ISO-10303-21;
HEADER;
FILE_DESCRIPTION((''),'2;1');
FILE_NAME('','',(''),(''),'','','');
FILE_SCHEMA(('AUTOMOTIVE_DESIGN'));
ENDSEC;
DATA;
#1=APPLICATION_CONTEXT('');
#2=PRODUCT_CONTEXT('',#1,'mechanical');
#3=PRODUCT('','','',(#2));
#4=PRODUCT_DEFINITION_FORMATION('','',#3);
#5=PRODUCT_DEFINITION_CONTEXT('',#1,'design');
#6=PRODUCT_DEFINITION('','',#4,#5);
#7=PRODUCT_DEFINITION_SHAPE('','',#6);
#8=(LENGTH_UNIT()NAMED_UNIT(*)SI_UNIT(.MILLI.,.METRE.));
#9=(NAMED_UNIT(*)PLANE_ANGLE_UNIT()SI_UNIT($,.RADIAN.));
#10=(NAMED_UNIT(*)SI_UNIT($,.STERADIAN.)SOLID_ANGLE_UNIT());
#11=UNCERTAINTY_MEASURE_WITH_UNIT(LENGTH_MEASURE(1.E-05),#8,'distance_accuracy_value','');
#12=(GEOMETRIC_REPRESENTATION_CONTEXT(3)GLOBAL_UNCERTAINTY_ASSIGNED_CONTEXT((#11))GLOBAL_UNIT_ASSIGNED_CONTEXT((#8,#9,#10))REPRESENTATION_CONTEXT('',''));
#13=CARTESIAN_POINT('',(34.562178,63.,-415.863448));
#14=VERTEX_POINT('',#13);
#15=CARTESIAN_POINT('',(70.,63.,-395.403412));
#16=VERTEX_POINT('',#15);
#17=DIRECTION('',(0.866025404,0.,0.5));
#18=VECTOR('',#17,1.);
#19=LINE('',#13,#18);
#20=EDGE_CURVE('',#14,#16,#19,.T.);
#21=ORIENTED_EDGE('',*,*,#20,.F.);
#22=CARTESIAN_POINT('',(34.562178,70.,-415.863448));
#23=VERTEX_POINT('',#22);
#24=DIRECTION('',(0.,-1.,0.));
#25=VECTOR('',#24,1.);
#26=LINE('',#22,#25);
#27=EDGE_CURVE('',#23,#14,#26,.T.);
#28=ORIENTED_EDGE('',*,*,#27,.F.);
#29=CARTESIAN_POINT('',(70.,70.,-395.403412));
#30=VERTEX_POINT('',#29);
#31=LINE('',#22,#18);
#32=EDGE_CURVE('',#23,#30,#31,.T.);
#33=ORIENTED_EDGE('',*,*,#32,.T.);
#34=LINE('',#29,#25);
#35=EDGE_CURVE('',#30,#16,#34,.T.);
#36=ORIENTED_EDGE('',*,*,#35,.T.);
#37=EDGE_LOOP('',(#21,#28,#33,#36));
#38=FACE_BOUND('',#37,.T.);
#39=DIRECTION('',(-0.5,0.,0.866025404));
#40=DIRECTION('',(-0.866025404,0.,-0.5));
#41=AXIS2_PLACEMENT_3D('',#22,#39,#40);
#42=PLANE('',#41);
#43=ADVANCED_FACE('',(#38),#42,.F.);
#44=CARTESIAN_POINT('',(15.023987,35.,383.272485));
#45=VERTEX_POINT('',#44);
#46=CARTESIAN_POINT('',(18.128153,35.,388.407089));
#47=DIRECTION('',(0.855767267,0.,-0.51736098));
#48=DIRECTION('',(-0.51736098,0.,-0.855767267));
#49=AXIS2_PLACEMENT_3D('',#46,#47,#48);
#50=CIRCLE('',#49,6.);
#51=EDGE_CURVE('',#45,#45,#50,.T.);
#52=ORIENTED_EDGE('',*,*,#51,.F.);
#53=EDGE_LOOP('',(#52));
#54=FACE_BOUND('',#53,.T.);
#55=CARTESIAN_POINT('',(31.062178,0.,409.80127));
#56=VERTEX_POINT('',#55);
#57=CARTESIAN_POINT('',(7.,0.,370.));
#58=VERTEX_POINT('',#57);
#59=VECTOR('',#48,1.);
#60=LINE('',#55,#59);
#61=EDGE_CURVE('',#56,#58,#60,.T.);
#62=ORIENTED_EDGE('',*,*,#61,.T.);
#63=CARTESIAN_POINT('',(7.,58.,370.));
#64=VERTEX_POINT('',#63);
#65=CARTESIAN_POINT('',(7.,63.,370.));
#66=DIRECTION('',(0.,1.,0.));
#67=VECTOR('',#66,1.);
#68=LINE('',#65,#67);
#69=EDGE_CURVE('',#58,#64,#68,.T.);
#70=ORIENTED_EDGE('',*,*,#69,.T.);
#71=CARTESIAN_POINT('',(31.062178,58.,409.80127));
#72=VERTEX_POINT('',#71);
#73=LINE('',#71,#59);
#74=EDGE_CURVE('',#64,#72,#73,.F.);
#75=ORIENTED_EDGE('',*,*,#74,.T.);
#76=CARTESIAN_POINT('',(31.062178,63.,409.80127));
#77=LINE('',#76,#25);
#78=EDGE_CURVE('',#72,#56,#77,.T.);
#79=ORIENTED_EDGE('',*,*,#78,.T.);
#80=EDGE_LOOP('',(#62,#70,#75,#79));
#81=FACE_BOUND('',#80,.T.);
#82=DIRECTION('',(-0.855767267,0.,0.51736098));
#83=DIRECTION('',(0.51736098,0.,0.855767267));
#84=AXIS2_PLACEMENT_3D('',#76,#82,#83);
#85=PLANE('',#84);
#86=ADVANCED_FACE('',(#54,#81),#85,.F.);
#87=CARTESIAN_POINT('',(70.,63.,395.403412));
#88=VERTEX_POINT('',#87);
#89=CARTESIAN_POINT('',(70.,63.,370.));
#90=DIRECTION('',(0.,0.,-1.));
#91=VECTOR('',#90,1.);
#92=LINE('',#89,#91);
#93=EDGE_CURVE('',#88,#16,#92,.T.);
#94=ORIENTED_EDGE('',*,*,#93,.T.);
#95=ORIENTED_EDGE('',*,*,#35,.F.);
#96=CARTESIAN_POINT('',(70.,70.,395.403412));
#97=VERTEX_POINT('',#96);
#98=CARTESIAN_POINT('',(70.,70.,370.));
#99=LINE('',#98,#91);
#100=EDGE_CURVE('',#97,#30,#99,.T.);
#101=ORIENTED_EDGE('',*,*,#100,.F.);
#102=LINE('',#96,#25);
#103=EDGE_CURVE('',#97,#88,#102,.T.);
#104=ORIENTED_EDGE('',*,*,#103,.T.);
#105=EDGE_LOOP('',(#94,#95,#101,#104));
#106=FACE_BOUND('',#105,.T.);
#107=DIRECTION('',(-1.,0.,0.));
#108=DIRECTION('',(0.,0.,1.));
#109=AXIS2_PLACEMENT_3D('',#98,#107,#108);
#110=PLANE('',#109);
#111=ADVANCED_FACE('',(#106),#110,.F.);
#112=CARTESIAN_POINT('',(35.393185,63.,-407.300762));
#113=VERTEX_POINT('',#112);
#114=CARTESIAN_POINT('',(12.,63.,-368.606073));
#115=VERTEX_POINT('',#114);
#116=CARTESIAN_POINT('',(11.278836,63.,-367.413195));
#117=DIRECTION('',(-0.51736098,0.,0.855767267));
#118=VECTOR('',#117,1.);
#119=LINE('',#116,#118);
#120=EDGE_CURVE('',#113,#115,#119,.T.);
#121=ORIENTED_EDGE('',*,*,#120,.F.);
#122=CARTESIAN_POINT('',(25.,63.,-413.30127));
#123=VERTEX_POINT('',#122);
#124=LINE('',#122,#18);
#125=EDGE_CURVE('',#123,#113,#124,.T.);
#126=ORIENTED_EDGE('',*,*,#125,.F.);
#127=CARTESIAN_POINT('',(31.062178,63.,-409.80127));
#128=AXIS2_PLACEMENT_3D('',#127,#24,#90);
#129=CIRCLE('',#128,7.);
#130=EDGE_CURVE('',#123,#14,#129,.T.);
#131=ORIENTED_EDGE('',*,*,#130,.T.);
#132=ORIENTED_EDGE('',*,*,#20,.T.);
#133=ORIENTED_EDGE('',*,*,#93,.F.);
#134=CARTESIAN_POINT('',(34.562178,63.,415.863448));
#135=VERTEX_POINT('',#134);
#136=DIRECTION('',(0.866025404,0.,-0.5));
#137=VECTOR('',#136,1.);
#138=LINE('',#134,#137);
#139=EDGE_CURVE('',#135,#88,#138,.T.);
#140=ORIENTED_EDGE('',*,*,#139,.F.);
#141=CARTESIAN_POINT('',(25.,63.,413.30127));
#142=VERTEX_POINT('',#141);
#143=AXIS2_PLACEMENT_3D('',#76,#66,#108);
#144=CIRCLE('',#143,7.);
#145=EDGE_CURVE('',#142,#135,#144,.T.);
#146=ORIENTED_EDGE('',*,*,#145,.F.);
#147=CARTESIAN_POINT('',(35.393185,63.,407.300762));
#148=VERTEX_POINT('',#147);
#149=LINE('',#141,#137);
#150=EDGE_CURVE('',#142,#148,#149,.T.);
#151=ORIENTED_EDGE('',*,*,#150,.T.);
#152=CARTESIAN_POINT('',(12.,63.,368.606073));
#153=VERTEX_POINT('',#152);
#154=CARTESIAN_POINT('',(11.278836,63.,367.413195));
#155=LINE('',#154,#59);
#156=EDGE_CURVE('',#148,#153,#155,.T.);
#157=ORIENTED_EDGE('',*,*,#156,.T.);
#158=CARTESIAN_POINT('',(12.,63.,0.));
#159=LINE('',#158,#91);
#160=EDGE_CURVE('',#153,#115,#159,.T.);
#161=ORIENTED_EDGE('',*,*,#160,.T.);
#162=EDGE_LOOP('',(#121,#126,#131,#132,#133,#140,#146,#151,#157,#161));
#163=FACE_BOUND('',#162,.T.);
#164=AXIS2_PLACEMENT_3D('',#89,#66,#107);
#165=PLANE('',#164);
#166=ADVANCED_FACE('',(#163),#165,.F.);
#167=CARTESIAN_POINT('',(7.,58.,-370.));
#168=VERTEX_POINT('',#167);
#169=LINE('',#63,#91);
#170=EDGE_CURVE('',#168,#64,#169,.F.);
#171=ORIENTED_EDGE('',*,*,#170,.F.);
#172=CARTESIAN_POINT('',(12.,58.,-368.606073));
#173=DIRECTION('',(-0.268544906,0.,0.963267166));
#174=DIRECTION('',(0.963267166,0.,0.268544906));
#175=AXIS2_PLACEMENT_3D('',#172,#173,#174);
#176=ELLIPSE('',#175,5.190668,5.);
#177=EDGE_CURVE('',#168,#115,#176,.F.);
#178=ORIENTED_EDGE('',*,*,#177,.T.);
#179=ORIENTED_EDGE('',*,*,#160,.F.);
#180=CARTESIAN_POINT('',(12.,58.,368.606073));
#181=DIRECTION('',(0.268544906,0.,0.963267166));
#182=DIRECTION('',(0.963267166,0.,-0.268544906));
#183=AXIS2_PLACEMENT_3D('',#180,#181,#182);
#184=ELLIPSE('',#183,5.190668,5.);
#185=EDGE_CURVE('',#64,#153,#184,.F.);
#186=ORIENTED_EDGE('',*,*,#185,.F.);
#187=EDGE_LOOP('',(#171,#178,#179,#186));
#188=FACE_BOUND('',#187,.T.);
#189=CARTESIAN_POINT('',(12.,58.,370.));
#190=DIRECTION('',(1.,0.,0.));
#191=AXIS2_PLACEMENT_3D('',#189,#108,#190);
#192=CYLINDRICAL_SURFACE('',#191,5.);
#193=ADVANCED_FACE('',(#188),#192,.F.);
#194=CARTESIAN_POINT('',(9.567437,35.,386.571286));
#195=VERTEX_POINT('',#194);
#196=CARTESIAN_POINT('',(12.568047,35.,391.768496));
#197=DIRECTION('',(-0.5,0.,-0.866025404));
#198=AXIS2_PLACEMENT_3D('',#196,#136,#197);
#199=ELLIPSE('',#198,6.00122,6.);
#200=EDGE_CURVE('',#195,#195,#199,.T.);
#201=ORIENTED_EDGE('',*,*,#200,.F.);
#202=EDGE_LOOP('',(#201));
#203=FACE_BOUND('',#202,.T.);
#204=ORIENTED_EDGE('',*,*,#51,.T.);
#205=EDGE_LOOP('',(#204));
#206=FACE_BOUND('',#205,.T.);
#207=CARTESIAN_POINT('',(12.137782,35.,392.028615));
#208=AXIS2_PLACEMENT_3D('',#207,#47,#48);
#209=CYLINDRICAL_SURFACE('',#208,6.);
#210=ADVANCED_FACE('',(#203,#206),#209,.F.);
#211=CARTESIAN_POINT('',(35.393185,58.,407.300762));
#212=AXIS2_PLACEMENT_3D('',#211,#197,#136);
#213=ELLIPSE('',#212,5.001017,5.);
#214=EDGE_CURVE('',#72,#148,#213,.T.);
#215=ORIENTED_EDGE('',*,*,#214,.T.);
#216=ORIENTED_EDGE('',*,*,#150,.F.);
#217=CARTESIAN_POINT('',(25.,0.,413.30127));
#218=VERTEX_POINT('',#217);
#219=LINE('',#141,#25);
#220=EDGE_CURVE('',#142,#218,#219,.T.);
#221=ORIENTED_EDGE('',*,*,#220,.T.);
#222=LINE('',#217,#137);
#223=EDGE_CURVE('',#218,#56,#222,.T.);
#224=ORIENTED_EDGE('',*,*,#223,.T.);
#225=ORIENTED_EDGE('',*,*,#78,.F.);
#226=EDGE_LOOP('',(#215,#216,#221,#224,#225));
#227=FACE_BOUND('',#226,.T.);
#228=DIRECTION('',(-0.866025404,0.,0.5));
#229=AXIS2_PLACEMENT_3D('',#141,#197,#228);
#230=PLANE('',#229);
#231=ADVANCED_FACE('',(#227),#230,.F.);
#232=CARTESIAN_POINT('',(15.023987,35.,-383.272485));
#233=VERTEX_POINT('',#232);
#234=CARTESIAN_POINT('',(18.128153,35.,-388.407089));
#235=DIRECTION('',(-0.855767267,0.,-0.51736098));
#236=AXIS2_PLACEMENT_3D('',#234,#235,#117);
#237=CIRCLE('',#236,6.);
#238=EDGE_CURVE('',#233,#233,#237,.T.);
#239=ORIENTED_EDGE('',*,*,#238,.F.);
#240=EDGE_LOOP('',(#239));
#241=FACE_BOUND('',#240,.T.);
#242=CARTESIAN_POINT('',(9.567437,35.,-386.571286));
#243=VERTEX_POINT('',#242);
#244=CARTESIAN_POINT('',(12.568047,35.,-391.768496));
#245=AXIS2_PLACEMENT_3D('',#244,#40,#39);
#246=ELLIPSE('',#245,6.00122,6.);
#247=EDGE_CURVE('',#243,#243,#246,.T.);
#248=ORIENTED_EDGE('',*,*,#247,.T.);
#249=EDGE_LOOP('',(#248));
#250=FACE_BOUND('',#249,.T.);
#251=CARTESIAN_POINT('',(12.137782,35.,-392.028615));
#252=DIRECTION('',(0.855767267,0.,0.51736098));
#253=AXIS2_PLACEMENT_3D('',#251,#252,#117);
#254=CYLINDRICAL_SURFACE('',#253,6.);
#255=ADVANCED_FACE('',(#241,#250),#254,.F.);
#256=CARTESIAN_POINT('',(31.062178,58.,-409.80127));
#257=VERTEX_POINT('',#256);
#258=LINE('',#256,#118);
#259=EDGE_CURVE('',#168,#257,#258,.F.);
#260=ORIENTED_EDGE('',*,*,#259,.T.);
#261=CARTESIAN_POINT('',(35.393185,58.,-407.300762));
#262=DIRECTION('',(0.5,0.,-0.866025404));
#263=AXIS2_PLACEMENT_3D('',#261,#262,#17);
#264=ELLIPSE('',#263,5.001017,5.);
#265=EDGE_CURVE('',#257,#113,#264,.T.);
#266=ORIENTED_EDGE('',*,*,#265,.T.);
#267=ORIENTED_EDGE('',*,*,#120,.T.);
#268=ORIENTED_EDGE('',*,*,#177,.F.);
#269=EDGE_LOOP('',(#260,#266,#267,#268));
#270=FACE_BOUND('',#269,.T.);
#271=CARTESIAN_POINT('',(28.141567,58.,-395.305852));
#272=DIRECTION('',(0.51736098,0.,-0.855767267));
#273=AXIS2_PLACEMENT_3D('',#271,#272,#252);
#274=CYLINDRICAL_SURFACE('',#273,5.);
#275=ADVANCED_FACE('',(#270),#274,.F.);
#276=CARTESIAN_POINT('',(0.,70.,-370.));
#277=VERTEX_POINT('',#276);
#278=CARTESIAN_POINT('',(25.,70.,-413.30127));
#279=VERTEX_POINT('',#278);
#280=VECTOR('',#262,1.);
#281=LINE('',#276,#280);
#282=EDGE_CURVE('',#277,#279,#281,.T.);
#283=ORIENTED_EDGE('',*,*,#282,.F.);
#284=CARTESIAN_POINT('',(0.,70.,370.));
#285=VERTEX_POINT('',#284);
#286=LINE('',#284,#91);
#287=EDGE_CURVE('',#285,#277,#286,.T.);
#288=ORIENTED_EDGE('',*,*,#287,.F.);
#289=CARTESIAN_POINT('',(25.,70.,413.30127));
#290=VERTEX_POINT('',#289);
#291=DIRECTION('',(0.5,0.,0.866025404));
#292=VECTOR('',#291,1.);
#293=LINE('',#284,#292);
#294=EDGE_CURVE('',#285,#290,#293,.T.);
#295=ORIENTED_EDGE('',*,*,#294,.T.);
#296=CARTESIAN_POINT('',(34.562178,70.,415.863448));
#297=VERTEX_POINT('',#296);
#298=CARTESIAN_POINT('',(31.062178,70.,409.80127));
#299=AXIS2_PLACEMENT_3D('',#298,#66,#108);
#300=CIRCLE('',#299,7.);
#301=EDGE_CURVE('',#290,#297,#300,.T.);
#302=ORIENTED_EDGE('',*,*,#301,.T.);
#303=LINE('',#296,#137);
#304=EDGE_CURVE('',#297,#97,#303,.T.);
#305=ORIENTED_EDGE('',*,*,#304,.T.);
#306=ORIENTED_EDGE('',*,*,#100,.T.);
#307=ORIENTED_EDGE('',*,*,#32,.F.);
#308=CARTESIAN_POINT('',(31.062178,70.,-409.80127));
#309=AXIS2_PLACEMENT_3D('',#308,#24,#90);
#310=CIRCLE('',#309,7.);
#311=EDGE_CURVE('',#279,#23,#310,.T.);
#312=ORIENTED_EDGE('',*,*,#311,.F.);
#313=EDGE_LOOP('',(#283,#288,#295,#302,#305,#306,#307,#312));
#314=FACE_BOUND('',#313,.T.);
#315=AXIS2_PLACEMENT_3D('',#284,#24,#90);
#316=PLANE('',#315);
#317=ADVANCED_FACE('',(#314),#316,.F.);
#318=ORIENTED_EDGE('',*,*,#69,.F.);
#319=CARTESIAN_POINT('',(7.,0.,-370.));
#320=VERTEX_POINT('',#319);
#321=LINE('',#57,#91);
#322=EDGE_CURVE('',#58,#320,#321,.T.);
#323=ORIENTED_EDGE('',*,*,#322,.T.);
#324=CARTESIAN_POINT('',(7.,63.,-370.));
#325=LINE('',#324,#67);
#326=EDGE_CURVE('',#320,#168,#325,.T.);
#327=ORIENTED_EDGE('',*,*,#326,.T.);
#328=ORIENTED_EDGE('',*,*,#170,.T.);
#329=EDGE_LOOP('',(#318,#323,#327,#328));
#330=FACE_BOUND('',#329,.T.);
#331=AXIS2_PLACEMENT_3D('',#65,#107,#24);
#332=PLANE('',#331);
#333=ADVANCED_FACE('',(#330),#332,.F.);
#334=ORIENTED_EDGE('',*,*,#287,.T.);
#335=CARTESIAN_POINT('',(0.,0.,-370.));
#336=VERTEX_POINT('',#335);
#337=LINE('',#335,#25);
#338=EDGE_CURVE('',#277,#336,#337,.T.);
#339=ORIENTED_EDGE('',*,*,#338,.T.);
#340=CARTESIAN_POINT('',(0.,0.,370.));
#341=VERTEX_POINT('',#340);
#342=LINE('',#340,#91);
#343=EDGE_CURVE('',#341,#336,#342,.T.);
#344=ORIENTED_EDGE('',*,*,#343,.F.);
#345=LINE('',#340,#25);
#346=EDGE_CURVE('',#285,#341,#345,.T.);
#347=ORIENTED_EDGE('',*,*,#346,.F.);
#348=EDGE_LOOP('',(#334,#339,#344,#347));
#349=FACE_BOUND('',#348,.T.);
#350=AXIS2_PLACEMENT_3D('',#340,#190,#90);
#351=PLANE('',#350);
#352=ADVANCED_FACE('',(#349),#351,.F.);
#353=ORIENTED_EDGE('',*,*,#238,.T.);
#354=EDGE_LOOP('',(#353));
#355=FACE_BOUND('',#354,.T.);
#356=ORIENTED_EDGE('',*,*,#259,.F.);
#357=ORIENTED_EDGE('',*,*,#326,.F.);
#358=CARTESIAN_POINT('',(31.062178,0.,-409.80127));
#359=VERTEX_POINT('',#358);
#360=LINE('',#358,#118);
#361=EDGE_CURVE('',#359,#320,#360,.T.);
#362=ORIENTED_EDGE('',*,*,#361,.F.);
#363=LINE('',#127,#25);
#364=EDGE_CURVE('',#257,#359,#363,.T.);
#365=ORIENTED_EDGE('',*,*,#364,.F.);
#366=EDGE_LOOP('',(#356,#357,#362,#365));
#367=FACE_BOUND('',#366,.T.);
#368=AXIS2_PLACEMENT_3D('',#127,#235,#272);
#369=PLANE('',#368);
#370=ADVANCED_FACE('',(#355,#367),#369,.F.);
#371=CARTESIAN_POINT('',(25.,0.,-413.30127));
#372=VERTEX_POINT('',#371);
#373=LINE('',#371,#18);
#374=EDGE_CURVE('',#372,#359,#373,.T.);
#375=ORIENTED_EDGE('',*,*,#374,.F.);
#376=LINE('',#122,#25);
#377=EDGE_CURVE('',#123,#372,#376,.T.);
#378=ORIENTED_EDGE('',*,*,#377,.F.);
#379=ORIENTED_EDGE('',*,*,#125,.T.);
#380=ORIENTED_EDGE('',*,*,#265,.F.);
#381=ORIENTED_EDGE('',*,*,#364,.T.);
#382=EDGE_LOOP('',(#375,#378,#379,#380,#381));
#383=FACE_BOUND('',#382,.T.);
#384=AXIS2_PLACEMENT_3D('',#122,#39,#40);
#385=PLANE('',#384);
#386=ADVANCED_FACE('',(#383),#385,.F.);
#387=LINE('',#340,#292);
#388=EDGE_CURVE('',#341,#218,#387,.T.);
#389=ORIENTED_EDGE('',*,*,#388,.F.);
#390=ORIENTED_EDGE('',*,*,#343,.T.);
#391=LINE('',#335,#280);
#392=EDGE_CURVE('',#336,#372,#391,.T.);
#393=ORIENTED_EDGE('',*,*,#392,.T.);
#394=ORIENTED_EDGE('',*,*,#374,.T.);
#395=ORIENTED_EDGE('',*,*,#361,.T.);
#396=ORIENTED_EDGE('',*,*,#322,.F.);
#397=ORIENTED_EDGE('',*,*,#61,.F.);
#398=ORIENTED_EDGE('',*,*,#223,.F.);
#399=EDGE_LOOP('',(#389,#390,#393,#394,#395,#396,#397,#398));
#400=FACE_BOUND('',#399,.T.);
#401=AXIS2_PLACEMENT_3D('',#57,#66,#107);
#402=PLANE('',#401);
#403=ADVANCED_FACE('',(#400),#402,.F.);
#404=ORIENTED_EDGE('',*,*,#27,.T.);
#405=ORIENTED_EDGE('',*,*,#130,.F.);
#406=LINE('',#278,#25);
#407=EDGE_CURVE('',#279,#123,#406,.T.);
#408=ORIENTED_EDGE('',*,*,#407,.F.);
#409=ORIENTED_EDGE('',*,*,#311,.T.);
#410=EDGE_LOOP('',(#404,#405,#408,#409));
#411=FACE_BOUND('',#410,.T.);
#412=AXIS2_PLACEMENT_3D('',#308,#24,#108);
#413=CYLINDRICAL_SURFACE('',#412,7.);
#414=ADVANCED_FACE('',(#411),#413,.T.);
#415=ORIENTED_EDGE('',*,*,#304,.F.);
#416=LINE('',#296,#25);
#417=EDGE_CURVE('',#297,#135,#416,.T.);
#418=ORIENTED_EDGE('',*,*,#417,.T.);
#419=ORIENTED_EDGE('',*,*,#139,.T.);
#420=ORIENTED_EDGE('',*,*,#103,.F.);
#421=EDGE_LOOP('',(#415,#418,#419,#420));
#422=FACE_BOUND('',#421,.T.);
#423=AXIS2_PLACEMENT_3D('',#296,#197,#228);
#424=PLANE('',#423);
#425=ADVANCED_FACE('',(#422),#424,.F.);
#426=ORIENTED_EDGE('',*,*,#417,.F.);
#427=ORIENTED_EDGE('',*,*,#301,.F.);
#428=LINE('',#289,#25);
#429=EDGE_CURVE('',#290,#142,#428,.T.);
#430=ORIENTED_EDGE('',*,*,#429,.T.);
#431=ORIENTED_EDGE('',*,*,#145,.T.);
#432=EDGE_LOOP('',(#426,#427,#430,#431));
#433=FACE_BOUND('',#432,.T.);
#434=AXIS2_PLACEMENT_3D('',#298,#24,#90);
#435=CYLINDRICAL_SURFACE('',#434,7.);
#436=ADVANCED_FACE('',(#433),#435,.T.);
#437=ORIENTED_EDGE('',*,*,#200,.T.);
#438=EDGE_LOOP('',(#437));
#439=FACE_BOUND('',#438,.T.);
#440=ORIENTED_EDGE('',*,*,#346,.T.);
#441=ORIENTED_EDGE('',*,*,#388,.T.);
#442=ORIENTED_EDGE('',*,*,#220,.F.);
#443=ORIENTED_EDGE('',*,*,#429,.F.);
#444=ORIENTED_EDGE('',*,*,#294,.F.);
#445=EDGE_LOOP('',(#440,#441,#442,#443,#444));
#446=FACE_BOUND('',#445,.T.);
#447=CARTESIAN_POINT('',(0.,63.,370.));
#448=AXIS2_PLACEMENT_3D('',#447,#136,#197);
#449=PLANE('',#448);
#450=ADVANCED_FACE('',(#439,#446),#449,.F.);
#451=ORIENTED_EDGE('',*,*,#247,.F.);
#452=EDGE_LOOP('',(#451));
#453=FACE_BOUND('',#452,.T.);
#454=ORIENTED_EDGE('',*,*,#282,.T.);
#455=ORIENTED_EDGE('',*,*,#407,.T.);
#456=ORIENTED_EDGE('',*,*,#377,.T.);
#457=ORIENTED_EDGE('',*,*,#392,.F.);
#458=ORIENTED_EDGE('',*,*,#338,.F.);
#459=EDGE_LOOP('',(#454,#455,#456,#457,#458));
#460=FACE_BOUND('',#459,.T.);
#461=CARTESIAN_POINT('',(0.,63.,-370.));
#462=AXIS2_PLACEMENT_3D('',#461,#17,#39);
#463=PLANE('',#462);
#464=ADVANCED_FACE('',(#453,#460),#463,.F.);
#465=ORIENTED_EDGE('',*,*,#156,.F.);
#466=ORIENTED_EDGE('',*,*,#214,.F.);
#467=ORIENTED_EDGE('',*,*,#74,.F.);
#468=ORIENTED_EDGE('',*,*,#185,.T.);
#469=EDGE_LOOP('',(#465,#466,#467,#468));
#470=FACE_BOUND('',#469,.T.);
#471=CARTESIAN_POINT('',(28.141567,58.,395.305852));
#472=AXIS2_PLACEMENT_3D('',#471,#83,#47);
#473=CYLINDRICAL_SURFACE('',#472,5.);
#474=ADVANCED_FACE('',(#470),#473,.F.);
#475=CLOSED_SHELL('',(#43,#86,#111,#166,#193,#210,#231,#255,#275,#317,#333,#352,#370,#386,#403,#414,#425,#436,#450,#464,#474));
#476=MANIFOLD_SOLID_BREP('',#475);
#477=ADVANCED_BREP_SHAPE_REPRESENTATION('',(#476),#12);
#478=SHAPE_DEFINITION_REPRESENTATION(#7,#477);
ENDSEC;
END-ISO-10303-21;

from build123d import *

# Parameters (mm, degrees)
BOSS_EXTRUDE1_DEPTH = 370
BOSS_EXTRUDE2_DEPTH = 63
BOSS_EXTRUDE4_DEPTH = 7
SKETCH10_R          = 6
CUT_EXTRUDE3_DEPTH  = 7
FILLET5_R           = 5


with BuildPart() as part:
    # Sketch1 → Boss-Extrude1 (new body)
    with BuildSketch(Plane.XY):
        Polygon((0, 0), (0, 70), (70, 70), (70, 63), (7, 63), (7, 0), align=None)
    extrude(amount=BOSS_EXTRUDE1_DEPTH)

    # Sketch2 → Boss-Extrude2 (add)
    with BuildSketch(Plane(origin=(0, 0, 0), x_dir=(1, 0, 0), z_dir=(0, 1, 0))):
        Polygon((0, -370), (25, -413.301270189), (31.062177826, -409.801270189), (7, -370), align=None)
    extrude(amount=BOSS_EXTRUDE2_DEPTH)

    # Sketch9 → Boss-Extrude4 (add)
    with BuildSketch(Plane(origin=(0, 63, 0), x_dir=(1, 0, 0), z_dir=(0, 1, 0))):
        with BuildLine():
            Line((0, -370), (25, -413.301270189))
            ThreePointArc((25, -413.301270189), (29.250444511, -416.562750973), (34.562177826, -415.863448016))
            Line((34.562177826, -415.863448016), (70, -395.403411844))
            Line((70, -395.403411844), (70, -370))
            Line((70, -370), (0, -370))
        make_face()
    extrude(amount=BOSS_EXTRUDE4_DEPTH)

    # Sketch10 → Cut-Extrude3 (cut)
    with BuildSketch(Plane(origin=(-158.687655898, 0, 95.935897948), x_dir=(-0.5173609804017633, 0, -0.8557672674026079), z_dir=(0.8557672674026079, 0, -0.5173609804017633))):
        with Locations((-341.764871942, 35)):
            Circle(SKETCH10_R)
    extrude(amount=-CUT_EXTRUDE3_DEPTH, mode=Mode.SUBTRACT)

    # Fillet5
    fillet5_edges = [part.edges().sort_by_distance(p)[0] for p in [
        (7, 63, 185),
        (19.031088913, 63, 389.900635095),
    ]]
    fillet(fillet5_edges, radius=FILLET5_R)

    # Mirror6: part across plane


with BuildPart() as part_1:
    add(part.part)
    add(part.part.mirror(Plane.XY))


solid = part_1.part
